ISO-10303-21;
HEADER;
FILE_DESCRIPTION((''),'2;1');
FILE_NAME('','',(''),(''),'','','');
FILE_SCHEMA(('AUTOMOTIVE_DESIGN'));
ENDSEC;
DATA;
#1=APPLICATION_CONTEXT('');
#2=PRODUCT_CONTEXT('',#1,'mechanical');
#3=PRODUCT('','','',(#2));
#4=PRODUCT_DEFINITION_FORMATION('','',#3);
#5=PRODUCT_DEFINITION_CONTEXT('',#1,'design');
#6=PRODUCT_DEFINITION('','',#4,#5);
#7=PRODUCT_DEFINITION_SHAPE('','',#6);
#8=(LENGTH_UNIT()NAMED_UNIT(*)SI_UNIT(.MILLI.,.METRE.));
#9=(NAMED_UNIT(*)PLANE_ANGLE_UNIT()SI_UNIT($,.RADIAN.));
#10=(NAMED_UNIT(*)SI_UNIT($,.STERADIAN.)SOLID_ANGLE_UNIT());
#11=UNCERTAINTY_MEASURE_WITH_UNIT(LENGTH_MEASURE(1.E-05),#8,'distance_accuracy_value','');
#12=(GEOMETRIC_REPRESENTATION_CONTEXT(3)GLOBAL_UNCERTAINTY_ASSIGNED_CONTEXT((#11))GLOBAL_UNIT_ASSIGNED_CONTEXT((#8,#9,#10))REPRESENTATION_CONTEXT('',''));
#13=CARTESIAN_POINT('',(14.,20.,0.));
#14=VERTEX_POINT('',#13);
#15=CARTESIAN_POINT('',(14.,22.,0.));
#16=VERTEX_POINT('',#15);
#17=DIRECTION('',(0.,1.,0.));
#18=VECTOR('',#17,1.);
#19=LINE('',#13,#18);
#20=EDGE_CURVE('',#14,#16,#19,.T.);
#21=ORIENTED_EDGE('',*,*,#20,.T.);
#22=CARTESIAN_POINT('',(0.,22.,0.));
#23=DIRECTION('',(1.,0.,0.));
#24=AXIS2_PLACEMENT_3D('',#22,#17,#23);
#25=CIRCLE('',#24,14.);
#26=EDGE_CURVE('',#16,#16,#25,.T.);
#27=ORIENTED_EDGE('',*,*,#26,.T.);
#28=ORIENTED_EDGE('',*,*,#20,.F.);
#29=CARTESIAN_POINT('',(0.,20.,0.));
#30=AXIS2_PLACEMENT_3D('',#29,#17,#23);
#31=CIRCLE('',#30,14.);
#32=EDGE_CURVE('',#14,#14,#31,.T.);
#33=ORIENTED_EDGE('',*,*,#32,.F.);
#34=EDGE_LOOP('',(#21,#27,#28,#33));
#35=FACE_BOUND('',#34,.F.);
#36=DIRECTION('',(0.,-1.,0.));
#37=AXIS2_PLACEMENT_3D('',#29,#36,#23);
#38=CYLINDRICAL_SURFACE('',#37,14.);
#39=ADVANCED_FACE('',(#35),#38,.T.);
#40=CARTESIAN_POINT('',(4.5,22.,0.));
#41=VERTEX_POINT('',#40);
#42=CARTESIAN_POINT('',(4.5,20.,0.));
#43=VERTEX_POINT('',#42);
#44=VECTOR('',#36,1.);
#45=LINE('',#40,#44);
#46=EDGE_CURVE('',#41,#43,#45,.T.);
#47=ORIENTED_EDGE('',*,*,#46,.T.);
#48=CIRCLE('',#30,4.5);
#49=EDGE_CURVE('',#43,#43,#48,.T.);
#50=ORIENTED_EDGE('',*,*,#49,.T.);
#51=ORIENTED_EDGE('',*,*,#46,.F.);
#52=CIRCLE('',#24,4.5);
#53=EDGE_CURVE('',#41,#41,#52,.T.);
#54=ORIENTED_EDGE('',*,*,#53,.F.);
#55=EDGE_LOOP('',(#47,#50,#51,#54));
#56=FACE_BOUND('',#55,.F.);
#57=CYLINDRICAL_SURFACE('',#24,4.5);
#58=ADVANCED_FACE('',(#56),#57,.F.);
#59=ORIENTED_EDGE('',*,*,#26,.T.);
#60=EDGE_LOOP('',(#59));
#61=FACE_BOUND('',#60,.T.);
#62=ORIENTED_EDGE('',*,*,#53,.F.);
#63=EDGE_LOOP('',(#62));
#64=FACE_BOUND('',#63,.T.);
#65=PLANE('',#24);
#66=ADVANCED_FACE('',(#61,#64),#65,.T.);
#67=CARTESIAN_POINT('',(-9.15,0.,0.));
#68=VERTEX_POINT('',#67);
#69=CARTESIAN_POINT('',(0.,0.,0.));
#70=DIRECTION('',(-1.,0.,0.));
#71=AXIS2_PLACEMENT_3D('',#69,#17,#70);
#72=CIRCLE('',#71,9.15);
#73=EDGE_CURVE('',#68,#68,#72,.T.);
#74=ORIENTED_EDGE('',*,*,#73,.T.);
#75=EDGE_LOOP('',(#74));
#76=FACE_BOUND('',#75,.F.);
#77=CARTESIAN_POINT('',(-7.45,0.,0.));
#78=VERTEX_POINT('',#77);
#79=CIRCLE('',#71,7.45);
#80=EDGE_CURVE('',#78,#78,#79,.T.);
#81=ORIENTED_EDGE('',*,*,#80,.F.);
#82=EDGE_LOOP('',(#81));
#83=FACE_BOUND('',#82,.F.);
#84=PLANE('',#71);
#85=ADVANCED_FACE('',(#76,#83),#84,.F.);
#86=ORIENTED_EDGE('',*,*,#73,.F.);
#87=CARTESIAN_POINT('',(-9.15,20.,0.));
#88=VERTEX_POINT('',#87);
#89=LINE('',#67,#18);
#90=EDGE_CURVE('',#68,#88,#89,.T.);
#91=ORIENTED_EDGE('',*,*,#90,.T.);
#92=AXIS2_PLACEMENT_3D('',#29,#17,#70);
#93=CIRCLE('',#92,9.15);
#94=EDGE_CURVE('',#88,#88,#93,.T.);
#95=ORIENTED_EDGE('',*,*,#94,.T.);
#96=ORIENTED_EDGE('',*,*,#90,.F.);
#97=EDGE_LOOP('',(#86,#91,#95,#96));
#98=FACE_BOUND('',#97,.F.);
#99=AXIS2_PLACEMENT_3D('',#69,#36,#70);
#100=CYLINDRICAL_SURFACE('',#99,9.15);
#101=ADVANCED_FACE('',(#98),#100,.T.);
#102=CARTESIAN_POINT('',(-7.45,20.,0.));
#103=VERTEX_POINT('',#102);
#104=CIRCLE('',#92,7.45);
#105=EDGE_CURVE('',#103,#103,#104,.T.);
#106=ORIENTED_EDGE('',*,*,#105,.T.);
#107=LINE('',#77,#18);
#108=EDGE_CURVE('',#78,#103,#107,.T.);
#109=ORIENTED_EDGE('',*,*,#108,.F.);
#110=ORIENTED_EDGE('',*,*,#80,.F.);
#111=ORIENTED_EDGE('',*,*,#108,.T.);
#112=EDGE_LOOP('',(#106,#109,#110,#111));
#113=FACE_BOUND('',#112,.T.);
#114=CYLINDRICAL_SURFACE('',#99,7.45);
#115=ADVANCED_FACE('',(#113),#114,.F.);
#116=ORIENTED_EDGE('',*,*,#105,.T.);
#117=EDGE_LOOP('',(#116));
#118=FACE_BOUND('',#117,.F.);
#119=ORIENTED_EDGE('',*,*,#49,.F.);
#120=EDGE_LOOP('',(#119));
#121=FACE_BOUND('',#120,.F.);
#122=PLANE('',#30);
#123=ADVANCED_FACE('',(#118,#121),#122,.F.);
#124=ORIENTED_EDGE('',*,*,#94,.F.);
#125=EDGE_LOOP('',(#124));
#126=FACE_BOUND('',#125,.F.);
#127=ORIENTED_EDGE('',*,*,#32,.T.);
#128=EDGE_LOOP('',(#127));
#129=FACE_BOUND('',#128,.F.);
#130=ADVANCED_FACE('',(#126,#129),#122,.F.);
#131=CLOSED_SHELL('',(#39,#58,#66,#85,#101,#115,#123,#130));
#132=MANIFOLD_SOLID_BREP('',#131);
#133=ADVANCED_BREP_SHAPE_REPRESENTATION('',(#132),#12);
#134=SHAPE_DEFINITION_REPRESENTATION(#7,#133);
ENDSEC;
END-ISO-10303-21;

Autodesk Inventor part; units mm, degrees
ref_plane "YZ Plane" through (0, 0, 0) normal (1, 0, 0) x (0, 1, 0)
ref_plane "XZ Plane" through (0, 0, 0) normal (0, 1, 0) x (-1, 0, 0)
ref_plane "XY Plane" through (0, 0, 0) normal (0, 0, 1) x (1, 0, 0)
sketch "Sketch1" plane through (0, 0, 0) normal (0, 1, 0) x (-1, 0, 0)
  circle A0 centre (0, 0) radius 9.15
  circle A1 centre (0, 0) radius 7.45
  dimension "d0" = 18.3
  dimension "d4" = 1.7
extrude "Extrusion2" add sketch "Sketch1" along normal blind 20
sketch "Sketch2" plane through (0, 20, 0) normal (0, 1, 0) x (1, 0, 0)
  circle A0 centre (0, 0) radius 14
  circle A1 centre (0, 0) radius 4.5
  dimension "d7" = 28
  dimension "d12" = 9
extrude "Extrusion3" add sketch "Sketch2" along normal blind 2 contours A0 | A1
thread "Thread1" size "M20x2.5" class "6g" standard "ANSI Metric M Profile" full length
sketch "Sketch3" plane through (0, 22, 0) normal (0, 1, 0) x (1, 0, 0)
  circle A0 centre (0, 0) radius 4.5
  dimension "d13" = 9
extrude "Extrusion4" cut sketch "Sketch3" against normal through all
properties part number "Tapa"
